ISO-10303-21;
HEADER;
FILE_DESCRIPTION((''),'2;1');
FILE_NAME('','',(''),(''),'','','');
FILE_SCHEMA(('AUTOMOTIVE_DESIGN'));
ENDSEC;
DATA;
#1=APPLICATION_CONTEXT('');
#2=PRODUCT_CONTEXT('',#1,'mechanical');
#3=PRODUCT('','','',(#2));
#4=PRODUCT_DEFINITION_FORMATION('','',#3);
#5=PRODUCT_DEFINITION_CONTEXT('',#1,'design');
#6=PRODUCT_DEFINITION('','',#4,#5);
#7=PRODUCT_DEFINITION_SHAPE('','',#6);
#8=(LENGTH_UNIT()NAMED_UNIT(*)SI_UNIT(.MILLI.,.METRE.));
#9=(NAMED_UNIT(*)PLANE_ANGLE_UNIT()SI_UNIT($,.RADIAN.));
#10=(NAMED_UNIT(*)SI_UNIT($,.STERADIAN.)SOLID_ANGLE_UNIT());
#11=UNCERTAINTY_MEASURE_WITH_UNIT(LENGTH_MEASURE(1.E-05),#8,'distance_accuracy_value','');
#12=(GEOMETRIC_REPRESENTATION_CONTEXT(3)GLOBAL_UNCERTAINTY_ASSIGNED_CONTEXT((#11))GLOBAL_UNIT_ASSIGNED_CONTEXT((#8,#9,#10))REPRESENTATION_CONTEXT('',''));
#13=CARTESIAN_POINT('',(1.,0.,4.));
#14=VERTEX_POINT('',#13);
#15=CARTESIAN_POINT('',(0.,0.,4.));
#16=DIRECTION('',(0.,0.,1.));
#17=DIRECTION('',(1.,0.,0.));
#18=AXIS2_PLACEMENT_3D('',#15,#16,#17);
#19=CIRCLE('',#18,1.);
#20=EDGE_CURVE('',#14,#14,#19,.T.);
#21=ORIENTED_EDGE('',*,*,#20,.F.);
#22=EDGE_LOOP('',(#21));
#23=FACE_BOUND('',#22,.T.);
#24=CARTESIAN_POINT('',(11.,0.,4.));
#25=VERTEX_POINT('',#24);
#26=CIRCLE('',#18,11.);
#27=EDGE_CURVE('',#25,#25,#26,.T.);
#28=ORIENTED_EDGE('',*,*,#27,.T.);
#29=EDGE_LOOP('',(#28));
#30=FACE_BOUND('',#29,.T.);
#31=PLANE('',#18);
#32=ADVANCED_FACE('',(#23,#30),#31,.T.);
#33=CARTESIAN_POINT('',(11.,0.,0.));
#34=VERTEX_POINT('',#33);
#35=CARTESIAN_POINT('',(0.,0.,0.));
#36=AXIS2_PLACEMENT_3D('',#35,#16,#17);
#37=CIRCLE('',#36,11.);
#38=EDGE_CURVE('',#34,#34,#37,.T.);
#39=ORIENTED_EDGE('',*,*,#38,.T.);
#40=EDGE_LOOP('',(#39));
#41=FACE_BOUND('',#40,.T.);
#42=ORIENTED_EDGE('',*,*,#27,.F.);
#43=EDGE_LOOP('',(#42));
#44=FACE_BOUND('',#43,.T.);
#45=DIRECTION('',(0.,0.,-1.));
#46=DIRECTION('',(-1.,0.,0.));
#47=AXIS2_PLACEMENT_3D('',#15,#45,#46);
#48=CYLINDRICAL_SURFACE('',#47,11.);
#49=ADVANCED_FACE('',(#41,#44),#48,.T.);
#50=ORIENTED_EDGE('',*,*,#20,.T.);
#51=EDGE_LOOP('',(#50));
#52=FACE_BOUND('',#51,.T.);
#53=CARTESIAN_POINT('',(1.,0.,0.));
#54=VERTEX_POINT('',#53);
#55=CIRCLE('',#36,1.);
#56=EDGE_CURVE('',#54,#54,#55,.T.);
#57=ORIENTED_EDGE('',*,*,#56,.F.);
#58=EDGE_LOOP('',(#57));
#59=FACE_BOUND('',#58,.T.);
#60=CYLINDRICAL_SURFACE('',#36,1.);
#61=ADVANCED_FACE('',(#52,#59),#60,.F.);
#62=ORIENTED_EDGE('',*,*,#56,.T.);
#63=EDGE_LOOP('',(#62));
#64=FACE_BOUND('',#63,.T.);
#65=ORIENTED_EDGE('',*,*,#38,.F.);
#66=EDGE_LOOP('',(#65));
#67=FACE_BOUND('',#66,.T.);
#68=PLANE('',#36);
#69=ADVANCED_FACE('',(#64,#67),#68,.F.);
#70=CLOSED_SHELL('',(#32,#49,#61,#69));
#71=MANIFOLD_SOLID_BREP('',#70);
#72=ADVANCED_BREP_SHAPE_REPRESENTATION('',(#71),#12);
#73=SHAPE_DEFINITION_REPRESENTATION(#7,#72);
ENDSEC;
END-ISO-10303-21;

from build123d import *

# Parameters (mm, degrees)
SKETCH_1_R          = 11
EXTRUDE_1_DEPTH     = 4
SKETCH_2_R          = 1
CUT_EXTRUDE_1_DEPTH = 5


with BuildPart() as part:
    # 草图1 → 凸台-拉伸1 (new body)
    with BuildSketch(Plane.XY):
        Circle(SKETCH_1_R)
    extrude(amount=EXTRUDE_1_DEPTH)

    # 草图2 → 切除-拉伸1 (cut, through all)
    with BuildSketch(Plane.XY.offset(4)):
        Circle(SKETCH_2_R)
    extrude(amount=-CUT_EXTRUDE_1_DEPTH, mode=Mode.SUBTRACT)


solid = part.part
